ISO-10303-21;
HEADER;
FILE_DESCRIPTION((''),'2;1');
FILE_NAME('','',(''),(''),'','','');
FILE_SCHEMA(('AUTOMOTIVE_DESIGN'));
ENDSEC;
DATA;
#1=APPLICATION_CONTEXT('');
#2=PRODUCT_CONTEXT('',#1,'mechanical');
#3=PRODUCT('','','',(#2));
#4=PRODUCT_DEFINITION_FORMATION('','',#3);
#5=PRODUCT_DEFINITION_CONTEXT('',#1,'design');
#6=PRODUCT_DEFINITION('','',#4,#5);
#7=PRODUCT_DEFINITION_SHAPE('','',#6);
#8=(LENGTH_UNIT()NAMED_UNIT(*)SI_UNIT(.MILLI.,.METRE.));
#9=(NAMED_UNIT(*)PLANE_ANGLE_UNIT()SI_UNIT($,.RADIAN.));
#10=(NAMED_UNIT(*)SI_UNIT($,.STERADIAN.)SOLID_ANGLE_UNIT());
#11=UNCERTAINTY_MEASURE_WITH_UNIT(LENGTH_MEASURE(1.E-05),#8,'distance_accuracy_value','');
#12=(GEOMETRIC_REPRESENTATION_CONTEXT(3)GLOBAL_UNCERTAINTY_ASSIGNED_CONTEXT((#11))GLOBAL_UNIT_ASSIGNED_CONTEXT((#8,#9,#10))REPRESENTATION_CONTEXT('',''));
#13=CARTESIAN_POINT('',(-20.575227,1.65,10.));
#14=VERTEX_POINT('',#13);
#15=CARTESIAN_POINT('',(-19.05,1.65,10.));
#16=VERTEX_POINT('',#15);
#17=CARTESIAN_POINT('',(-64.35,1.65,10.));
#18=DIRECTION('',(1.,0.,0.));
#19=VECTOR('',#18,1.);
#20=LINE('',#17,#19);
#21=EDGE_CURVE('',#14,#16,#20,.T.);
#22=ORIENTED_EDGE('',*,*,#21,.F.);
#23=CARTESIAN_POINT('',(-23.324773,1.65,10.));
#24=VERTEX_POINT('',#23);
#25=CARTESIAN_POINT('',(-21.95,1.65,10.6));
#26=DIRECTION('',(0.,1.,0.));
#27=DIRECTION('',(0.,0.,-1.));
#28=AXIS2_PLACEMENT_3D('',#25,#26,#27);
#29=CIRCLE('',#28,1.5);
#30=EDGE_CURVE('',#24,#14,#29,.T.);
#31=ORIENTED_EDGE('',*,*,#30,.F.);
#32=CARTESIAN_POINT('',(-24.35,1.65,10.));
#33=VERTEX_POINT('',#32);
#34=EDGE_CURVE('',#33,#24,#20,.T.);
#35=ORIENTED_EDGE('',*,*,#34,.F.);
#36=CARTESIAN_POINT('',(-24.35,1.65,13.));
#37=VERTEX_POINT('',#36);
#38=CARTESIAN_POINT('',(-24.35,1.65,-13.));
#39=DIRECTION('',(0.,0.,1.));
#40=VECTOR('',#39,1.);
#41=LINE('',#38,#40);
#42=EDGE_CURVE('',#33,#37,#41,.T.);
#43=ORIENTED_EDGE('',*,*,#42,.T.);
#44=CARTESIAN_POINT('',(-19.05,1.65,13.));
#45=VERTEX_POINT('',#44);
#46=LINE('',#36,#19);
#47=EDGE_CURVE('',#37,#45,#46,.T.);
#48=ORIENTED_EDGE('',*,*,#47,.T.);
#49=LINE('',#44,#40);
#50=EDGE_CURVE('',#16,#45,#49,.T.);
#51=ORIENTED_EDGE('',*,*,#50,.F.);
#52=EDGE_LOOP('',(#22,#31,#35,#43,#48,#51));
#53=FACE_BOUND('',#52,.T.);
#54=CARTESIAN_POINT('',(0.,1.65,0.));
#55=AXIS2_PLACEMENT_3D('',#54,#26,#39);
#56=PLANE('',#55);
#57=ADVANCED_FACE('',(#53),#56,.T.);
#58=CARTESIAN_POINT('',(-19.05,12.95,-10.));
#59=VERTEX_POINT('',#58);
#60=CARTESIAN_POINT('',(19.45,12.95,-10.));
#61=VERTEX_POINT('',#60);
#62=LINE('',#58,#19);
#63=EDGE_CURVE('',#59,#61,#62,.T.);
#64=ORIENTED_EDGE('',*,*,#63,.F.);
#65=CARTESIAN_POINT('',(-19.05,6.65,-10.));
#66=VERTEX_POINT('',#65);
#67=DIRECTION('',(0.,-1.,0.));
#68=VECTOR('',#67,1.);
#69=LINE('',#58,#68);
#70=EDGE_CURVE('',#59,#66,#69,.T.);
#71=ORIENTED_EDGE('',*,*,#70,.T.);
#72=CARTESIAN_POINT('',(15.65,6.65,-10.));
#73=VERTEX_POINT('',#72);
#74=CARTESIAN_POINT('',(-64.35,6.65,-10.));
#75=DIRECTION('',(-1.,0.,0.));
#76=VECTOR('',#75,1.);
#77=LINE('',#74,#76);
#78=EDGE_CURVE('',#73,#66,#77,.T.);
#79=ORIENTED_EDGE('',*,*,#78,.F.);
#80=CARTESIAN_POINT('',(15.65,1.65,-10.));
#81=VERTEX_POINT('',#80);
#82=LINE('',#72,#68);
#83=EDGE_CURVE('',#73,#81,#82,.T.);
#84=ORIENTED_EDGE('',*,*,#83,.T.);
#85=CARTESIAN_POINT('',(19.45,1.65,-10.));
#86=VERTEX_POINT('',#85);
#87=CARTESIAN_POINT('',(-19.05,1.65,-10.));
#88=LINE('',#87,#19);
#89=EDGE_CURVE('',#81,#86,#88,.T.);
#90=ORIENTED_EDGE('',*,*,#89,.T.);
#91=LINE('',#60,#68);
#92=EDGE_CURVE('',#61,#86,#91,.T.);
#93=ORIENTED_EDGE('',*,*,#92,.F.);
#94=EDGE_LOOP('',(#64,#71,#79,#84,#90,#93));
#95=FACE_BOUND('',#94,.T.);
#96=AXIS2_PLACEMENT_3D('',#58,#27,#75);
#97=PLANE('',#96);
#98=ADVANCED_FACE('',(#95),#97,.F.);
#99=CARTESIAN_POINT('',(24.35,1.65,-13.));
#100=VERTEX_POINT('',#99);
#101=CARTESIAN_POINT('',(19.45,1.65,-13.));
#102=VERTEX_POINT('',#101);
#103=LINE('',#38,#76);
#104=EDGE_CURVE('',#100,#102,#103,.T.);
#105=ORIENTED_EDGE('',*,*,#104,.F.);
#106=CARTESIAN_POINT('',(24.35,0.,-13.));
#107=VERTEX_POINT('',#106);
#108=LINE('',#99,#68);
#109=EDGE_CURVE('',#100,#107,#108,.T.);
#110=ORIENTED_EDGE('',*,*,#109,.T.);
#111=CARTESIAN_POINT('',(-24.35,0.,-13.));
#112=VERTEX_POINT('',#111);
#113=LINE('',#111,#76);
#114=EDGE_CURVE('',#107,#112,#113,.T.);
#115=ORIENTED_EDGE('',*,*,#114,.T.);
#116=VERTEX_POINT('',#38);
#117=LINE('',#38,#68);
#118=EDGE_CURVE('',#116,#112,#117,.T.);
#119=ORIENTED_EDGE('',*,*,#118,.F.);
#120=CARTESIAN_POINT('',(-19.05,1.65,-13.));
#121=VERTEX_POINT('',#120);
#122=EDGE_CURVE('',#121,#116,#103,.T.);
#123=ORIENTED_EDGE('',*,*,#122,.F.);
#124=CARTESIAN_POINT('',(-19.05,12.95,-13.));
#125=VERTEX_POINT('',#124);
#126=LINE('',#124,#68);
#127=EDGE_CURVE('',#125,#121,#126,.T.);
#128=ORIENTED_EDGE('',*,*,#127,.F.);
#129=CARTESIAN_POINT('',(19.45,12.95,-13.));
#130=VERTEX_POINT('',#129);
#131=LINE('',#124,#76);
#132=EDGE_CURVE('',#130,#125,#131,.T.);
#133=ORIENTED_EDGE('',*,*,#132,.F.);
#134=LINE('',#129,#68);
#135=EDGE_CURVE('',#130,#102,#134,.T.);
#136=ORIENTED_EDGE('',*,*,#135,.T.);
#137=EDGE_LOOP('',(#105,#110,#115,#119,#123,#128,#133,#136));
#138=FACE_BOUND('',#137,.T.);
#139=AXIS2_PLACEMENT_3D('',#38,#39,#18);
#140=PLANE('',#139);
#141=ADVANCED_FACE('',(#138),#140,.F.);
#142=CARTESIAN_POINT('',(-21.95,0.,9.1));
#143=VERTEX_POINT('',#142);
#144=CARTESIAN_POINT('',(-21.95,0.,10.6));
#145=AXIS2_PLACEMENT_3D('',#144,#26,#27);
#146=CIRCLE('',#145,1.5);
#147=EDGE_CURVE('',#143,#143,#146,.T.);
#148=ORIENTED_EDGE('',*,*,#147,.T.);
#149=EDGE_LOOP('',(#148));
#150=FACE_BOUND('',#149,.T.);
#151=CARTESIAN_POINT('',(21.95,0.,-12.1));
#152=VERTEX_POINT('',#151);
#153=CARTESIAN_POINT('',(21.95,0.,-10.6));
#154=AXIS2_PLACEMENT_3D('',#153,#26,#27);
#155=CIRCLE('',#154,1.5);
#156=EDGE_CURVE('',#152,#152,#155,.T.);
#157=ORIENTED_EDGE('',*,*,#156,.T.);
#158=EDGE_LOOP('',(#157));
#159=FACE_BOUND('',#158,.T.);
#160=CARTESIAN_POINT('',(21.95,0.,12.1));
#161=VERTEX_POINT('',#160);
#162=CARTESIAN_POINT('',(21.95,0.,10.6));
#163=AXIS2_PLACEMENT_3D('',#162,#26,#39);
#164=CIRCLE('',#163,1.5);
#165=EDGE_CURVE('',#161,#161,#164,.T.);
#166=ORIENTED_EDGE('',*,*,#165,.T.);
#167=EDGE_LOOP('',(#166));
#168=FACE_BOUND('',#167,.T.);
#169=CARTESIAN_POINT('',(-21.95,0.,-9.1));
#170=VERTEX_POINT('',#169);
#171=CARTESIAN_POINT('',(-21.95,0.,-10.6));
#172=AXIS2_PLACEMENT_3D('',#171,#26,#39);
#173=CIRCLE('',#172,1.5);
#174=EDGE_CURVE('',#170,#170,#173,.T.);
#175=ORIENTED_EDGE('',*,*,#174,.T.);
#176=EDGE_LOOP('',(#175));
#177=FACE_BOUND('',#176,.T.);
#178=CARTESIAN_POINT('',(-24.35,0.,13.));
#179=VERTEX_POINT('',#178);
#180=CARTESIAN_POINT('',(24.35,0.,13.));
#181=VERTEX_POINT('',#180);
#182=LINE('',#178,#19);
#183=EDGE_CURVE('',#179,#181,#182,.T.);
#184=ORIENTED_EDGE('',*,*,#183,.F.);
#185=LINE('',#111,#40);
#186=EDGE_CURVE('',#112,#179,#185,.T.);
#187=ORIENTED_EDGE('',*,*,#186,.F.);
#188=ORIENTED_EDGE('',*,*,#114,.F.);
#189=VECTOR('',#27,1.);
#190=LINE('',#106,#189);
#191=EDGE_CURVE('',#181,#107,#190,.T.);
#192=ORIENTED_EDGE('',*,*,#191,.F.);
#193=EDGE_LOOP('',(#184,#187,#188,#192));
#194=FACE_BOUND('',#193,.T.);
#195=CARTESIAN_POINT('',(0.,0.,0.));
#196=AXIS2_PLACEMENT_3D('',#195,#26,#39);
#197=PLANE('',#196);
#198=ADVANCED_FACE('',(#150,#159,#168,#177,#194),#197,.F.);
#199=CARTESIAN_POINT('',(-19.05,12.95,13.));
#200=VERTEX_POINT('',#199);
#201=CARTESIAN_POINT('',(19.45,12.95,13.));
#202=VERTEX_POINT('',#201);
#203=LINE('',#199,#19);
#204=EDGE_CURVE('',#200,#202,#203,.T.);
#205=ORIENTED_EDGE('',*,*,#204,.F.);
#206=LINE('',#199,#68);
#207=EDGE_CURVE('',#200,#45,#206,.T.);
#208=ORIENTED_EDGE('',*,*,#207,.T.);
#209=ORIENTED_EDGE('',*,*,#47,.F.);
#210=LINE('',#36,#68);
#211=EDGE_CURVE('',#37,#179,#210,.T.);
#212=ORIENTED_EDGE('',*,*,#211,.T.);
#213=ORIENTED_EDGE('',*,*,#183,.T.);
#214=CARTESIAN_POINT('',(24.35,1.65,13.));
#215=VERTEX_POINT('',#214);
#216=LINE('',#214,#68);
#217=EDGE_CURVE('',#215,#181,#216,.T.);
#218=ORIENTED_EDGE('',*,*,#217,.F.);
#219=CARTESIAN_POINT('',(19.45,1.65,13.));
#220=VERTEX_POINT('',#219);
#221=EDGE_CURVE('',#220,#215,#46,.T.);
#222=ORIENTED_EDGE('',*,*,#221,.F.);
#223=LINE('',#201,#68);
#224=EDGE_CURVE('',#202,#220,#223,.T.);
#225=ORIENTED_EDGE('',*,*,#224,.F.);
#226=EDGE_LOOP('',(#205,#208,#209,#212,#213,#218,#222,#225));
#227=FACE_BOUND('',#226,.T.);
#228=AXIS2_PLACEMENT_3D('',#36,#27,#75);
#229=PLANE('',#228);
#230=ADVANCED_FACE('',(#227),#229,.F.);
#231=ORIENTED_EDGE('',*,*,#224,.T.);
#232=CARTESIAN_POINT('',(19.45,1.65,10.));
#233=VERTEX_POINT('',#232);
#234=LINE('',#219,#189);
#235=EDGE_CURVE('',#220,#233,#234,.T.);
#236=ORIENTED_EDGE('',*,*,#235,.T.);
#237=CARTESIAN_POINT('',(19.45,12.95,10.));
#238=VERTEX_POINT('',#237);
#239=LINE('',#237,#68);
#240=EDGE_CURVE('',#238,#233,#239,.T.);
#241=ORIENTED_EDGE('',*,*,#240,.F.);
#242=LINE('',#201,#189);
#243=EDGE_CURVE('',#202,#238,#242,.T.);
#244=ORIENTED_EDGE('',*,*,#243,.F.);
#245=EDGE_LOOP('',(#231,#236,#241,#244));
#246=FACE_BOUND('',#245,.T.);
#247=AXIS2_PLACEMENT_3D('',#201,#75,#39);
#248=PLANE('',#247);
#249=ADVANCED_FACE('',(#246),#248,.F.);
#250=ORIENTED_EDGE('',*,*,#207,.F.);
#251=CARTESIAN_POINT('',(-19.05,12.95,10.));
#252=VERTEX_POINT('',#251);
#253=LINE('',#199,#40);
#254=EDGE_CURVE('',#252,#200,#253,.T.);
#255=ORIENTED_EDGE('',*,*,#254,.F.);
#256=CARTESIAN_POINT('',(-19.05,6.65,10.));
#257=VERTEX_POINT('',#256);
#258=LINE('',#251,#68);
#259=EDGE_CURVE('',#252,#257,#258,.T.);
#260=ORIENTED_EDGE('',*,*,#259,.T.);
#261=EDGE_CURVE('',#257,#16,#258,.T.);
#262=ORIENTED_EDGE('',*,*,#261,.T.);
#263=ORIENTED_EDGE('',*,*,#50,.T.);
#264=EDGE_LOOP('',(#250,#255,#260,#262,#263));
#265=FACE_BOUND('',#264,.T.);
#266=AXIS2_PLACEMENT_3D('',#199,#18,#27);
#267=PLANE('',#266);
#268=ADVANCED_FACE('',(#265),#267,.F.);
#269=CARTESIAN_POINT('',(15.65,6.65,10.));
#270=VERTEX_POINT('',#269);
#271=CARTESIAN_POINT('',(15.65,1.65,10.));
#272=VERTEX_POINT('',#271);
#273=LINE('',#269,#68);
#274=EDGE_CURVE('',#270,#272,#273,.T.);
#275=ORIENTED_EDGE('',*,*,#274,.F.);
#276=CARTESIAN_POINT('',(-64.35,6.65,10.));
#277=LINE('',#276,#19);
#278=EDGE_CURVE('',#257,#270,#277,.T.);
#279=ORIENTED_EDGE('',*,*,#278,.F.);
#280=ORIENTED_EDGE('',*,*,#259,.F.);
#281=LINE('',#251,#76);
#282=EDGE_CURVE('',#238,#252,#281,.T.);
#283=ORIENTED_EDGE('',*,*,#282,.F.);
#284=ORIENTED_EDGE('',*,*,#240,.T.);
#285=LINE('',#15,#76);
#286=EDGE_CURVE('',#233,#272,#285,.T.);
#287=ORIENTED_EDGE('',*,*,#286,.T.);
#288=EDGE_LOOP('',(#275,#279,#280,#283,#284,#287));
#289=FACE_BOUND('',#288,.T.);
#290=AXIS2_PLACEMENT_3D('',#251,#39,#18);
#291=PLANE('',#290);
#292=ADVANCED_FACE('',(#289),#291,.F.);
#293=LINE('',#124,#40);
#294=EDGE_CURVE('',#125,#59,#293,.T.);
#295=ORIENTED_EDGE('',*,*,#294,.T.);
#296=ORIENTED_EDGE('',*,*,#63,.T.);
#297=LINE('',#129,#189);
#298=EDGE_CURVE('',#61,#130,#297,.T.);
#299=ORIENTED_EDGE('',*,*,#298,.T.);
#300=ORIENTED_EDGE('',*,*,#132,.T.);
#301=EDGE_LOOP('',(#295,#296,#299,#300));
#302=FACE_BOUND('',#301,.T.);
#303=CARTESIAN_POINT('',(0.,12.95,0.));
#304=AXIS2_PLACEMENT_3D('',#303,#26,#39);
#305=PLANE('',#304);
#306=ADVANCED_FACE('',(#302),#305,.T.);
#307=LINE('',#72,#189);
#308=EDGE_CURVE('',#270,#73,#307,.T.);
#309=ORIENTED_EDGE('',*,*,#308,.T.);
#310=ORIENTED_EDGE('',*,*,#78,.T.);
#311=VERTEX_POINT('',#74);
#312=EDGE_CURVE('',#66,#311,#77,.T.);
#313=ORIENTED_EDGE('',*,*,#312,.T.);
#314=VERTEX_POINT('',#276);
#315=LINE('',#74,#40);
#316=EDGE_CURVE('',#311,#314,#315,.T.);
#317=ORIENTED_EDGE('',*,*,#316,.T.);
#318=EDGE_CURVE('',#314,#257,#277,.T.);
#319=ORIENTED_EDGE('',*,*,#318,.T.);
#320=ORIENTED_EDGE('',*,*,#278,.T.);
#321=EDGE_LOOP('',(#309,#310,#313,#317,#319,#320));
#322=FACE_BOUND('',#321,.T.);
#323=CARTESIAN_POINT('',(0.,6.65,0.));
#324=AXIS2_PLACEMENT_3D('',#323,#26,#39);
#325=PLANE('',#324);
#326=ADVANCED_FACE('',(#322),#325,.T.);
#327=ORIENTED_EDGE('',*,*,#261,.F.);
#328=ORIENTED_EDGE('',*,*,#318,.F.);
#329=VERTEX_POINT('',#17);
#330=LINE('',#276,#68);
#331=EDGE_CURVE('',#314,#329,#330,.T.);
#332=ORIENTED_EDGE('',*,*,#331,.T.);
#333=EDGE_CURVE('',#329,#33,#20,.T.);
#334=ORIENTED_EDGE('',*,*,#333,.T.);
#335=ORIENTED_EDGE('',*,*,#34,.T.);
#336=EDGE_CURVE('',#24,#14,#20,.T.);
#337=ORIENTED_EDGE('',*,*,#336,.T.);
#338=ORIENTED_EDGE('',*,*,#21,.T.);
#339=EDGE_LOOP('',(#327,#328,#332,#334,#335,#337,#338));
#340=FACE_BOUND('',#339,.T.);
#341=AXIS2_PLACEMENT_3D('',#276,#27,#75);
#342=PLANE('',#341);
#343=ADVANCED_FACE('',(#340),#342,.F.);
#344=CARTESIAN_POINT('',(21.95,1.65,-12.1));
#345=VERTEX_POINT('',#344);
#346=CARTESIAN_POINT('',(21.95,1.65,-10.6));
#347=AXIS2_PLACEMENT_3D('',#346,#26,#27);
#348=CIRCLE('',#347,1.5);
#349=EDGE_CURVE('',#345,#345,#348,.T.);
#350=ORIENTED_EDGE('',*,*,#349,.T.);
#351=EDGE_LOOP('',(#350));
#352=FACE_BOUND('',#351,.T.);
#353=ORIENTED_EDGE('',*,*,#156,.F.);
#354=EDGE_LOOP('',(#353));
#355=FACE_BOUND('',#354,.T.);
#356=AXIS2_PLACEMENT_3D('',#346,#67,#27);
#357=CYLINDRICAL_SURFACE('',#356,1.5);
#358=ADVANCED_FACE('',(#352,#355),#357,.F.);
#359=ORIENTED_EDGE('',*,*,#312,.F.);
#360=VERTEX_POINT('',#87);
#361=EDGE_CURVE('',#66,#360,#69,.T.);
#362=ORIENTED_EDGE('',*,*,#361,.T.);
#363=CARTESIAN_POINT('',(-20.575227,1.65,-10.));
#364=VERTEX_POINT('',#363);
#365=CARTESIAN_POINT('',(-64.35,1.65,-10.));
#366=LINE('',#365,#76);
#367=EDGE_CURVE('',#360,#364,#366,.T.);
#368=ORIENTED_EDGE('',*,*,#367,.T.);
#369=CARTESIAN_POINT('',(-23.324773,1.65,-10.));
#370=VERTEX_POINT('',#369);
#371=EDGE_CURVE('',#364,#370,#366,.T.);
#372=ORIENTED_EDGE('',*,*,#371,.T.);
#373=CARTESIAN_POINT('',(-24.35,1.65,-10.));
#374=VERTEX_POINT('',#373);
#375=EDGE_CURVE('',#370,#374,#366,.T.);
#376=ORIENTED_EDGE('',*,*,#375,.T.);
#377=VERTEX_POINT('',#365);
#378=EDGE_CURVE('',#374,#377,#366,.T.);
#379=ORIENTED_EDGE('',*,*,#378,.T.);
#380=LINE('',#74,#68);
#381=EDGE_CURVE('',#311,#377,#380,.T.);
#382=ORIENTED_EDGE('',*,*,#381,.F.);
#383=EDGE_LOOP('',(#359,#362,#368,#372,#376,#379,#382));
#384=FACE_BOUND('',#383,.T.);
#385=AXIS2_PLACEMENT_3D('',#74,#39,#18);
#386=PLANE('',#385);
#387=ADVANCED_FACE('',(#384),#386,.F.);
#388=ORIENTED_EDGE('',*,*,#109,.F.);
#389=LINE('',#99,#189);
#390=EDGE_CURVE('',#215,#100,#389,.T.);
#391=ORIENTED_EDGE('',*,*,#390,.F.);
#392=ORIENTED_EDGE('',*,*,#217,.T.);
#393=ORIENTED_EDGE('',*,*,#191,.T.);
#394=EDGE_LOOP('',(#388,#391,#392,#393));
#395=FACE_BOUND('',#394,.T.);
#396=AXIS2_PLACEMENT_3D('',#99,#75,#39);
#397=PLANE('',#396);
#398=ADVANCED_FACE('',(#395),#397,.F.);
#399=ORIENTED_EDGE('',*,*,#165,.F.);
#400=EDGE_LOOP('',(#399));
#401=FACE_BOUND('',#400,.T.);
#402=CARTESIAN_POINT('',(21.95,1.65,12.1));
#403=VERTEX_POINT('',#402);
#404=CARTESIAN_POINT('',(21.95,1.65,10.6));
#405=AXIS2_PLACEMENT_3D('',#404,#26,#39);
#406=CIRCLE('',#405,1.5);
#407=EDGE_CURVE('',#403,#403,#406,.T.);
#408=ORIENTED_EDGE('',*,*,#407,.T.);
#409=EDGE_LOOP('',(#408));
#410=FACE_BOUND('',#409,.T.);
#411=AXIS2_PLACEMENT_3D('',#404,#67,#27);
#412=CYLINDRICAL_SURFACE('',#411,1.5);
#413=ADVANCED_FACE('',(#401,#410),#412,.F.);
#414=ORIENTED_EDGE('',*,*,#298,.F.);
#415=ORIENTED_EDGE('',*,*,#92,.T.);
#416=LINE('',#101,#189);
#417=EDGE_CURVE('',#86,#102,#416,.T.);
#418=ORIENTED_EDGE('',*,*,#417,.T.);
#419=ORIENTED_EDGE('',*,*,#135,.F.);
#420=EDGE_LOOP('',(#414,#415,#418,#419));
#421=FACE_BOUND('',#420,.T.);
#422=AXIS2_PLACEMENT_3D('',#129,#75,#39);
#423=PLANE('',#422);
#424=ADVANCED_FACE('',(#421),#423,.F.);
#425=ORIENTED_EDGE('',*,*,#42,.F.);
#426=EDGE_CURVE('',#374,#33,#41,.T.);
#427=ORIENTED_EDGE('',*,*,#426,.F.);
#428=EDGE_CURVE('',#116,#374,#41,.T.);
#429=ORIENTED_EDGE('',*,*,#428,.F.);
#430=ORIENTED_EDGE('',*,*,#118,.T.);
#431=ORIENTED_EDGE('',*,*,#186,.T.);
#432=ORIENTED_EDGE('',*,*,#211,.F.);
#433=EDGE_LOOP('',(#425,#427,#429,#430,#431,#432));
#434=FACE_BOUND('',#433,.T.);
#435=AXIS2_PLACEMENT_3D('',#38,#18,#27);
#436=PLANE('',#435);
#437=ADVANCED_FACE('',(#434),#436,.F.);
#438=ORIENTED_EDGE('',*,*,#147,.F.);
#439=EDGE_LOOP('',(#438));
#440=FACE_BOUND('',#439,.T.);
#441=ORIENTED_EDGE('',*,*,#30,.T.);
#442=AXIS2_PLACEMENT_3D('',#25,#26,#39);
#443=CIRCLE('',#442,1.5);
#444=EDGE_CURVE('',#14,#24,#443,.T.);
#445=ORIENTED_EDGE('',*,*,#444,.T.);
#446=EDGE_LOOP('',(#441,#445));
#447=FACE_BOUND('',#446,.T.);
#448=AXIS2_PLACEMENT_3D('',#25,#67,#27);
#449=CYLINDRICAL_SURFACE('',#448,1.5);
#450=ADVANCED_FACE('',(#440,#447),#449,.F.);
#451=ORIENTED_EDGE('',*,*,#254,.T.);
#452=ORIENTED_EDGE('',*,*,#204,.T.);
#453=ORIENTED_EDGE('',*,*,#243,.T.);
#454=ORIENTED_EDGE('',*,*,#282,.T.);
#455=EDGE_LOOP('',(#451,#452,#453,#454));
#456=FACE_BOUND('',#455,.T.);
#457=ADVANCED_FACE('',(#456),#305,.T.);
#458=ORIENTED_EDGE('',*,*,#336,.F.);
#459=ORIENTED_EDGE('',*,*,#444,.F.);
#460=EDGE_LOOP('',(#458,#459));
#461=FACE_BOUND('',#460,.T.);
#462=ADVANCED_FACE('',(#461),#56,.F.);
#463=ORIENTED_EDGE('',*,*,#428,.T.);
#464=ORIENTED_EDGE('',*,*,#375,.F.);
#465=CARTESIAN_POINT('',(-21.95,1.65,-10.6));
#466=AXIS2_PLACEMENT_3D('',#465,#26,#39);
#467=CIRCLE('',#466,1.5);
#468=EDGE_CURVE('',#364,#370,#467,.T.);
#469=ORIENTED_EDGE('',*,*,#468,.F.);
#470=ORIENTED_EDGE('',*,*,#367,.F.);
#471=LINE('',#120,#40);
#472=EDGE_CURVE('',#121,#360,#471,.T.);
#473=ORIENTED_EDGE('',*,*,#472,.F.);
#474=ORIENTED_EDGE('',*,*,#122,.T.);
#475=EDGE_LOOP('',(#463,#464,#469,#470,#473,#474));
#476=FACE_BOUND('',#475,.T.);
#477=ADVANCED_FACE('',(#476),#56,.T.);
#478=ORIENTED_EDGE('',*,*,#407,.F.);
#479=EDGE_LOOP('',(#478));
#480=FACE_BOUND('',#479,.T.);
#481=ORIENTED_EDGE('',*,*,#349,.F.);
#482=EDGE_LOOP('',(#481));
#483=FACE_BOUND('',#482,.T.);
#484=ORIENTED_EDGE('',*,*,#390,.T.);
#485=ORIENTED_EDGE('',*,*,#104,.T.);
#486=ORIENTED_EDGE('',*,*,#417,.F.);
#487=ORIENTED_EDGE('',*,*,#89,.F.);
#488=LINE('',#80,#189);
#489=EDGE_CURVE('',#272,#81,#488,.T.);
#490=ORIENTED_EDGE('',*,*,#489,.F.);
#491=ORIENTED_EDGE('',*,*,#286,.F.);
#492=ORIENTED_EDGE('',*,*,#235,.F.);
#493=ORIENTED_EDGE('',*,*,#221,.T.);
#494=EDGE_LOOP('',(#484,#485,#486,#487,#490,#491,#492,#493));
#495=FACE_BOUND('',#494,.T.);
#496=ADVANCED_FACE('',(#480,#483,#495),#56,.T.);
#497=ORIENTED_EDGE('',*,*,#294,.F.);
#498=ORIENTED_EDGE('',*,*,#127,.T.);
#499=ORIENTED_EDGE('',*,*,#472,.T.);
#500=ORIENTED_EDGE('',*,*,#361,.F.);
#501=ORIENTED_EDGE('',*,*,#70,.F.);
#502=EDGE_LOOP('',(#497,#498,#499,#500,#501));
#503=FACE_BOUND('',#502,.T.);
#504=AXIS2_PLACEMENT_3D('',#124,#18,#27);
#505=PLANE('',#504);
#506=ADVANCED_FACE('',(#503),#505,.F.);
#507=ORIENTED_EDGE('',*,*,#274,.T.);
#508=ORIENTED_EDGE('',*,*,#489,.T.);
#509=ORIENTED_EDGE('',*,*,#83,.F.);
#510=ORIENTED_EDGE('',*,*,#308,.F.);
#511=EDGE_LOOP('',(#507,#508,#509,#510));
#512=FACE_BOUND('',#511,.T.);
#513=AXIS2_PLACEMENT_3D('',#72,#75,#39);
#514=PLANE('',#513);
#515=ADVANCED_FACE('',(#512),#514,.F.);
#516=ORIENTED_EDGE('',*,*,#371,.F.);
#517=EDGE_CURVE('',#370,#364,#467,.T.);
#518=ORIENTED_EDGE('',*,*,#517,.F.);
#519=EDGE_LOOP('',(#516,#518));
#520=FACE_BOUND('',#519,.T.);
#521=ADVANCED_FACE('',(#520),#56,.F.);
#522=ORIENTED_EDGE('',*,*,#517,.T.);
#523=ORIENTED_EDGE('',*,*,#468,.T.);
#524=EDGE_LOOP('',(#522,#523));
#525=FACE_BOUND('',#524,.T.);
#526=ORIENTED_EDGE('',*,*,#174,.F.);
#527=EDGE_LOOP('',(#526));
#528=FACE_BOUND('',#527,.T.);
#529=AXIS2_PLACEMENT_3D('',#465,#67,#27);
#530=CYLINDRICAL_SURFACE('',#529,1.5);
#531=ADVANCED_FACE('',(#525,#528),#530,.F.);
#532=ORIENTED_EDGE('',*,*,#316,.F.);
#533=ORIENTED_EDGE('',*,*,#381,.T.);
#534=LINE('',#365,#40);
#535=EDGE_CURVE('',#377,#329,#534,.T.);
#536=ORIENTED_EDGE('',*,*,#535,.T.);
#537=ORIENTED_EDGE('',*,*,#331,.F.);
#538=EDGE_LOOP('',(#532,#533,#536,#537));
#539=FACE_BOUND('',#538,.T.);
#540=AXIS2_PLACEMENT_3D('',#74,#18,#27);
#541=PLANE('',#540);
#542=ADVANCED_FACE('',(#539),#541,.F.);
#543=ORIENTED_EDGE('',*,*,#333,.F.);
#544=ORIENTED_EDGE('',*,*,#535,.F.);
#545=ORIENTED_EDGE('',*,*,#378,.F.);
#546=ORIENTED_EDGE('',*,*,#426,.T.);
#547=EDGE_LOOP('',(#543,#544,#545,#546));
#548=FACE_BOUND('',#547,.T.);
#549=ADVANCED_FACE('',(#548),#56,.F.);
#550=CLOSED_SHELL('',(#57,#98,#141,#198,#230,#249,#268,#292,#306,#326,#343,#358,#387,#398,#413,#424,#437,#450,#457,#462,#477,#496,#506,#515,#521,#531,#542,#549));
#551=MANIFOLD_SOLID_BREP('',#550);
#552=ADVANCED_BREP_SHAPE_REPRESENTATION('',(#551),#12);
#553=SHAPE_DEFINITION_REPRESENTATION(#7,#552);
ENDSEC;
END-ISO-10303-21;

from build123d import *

# Parameters (mm, degrees)
SKETCH1_W           = 48.7
SKETCH1_H           = 26
SKETCH1_R           = 1.5
BOSS_EXTRUDE1_DEPTH = 1.65
SKETCH2_W           = 38.5
SKETCH2_H           = 3
BOSS_EXTRUDE2_DEPTH = 11.3
SKETCH3_W           = 80
SKETCH3_H           = 20
BOSS_EXTRUDE3_DEPTH = 5


with BuildPart() as part:
    # Sketch1 → Boss-Extrude1 (new body)
    with BuildSketch(Plane(origin=(0, 0, 0), x_dir=(1, 0, 0), z_dir=(0, 1, 0))):
        Rectangle(SKETCH1_W, SKETCH1_H)
        with Locations(Location((-21.95, 10.6, 0), (0, 0, 270))):
            Circle(SKETCH1_R, mode=Mode.SUBTRACT)
        with Locations(Location((-21.95, -10.6, 0), (0, 0, 90))):
            Circle(SKETCH1_R, mode=Mode.SUBTRACT)
        with Locations(Location((21.95, -10.6, 0), (0, 0, 270))):
            Circle(SKETCH1_R, mode=Mode.SUBTRACT)
        with Locations(Location((21.95, 10.6, 0), (0, 0, 90))):
            Circle(SKETCH1_R, mode=Mode.SUBTRACT)
    extrude(amount=BOSS_EXTRUDE1_DEPTH)

    # Sketch2 → Boss-Extrude2 (add)
    with BuildSketch(Plane(origin=(0, 1.65, 0), x_dir=(1, 0, 0), z_dir=(0, 1, 0))):
        with Locations((0.2, 11.5)):
            Rectangle(SKETCH2_W, SKETCH2_H)
        with Locations((0.2, -11.5)):
            Rectangle(SKETCH2_W, SKETCH2_H)
    extrude(amount=BOSS_EXTRUDE2_DEPTH)

    # Sketch3 → Boss-Extrude3 (add)
    with BuildSketch(Plane(origin=(0, 1.65, 0), x_dir=(1, 0, 0), z_dir=(0, 1, 0))):
        with Locations((-24.35, 0)):
            Rectangle(SKETCH3_W, SKETCH3_H)
    extrude(amount=BOSS_EXTRUDE3_DEPTH)


solid = part.part
